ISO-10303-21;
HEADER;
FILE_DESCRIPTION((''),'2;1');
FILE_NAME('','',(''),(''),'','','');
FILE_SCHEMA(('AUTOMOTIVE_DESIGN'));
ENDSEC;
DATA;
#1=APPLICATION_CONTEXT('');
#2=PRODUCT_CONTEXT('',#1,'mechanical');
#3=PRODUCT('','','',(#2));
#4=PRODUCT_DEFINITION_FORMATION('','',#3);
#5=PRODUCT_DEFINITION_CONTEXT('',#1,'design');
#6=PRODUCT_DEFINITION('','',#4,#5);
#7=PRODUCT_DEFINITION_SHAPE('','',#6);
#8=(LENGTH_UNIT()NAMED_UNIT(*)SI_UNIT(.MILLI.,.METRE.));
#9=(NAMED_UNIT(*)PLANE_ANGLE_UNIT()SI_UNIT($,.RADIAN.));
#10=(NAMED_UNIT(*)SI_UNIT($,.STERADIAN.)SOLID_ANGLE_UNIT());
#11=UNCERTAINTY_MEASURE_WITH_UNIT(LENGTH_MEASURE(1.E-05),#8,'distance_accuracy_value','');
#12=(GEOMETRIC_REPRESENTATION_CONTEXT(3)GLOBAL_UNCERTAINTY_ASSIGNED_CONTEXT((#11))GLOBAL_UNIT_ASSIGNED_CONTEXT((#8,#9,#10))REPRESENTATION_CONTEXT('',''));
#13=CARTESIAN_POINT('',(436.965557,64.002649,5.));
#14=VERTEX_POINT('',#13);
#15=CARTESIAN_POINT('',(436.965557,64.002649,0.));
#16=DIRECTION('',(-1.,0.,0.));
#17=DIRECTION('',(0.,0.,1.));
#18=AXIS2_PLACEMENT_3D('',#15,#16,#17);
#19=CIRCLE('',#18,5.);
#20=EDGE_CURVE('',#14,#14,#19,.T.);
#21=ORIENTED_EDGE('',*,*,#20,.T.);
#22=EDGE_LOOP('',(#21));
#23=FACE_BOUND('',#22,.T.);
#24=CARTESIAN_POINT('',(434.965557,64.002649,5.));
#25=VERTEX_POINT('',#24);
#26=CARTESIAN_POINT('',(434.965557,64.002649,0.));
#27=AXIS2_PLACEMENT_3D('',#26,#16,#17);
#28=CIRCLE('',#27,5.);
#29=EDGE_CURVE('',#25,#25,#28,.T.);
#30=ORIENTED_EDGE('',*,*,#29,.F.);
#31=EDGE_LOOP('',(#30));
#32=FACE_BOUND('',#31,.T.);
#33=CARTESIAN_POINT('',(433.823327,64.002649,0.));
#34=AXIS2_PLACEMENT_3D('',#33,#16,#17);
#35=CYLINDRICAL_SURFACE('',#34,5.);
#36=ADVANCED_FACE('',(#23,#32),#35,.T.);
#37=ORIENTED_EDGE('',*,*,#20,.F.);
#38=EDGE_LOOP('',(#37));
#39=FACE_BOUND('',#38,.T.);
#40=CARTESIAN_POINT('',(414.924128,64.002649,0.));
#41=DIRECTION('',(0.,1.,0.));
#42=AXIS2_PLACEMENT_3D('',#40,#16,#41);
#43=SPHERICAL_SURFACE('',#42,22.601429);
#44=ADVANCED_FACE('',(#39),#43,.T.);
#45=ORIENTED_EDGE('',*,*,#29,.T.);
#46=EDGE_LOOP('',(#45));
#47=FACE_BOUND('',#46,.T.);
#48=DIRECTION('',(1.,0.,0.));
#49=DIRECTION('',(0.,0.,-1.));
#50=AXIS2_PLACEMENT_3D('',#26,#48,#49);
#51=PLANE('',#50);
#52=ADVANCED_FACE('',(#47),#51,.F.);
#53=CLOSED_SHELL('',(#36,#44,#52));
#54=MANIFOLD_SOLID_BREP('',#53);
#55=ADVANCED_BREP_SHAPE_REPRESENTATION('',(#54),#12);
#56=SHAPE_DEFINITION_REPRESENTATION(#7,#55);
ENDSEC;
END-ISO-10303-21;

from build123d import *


with BuildPart() as part:
    # 草图1 → 旋转1 (revolve)
    with BuildSketch(Plane.XY):
        with BuildLine():
            Line((434.96555682, 64.002648692), (434.96555682, 69.002648692))
            Line((434.96555682, 69.002648692), (436.96555682, 69.002648692))
            ThreePointArc((436.96555682, 69.002648692), (437.385120512, 66.518279825), (437.52555682, 64.002648692))
            Line((437.52555682, 64.002648692), (434.96555682, 64.002648692))
        make_face()
    revolve(axis=Axis((433.823327128, 64.002648692, 0), (1, 0, 0)))


solid = part.part
